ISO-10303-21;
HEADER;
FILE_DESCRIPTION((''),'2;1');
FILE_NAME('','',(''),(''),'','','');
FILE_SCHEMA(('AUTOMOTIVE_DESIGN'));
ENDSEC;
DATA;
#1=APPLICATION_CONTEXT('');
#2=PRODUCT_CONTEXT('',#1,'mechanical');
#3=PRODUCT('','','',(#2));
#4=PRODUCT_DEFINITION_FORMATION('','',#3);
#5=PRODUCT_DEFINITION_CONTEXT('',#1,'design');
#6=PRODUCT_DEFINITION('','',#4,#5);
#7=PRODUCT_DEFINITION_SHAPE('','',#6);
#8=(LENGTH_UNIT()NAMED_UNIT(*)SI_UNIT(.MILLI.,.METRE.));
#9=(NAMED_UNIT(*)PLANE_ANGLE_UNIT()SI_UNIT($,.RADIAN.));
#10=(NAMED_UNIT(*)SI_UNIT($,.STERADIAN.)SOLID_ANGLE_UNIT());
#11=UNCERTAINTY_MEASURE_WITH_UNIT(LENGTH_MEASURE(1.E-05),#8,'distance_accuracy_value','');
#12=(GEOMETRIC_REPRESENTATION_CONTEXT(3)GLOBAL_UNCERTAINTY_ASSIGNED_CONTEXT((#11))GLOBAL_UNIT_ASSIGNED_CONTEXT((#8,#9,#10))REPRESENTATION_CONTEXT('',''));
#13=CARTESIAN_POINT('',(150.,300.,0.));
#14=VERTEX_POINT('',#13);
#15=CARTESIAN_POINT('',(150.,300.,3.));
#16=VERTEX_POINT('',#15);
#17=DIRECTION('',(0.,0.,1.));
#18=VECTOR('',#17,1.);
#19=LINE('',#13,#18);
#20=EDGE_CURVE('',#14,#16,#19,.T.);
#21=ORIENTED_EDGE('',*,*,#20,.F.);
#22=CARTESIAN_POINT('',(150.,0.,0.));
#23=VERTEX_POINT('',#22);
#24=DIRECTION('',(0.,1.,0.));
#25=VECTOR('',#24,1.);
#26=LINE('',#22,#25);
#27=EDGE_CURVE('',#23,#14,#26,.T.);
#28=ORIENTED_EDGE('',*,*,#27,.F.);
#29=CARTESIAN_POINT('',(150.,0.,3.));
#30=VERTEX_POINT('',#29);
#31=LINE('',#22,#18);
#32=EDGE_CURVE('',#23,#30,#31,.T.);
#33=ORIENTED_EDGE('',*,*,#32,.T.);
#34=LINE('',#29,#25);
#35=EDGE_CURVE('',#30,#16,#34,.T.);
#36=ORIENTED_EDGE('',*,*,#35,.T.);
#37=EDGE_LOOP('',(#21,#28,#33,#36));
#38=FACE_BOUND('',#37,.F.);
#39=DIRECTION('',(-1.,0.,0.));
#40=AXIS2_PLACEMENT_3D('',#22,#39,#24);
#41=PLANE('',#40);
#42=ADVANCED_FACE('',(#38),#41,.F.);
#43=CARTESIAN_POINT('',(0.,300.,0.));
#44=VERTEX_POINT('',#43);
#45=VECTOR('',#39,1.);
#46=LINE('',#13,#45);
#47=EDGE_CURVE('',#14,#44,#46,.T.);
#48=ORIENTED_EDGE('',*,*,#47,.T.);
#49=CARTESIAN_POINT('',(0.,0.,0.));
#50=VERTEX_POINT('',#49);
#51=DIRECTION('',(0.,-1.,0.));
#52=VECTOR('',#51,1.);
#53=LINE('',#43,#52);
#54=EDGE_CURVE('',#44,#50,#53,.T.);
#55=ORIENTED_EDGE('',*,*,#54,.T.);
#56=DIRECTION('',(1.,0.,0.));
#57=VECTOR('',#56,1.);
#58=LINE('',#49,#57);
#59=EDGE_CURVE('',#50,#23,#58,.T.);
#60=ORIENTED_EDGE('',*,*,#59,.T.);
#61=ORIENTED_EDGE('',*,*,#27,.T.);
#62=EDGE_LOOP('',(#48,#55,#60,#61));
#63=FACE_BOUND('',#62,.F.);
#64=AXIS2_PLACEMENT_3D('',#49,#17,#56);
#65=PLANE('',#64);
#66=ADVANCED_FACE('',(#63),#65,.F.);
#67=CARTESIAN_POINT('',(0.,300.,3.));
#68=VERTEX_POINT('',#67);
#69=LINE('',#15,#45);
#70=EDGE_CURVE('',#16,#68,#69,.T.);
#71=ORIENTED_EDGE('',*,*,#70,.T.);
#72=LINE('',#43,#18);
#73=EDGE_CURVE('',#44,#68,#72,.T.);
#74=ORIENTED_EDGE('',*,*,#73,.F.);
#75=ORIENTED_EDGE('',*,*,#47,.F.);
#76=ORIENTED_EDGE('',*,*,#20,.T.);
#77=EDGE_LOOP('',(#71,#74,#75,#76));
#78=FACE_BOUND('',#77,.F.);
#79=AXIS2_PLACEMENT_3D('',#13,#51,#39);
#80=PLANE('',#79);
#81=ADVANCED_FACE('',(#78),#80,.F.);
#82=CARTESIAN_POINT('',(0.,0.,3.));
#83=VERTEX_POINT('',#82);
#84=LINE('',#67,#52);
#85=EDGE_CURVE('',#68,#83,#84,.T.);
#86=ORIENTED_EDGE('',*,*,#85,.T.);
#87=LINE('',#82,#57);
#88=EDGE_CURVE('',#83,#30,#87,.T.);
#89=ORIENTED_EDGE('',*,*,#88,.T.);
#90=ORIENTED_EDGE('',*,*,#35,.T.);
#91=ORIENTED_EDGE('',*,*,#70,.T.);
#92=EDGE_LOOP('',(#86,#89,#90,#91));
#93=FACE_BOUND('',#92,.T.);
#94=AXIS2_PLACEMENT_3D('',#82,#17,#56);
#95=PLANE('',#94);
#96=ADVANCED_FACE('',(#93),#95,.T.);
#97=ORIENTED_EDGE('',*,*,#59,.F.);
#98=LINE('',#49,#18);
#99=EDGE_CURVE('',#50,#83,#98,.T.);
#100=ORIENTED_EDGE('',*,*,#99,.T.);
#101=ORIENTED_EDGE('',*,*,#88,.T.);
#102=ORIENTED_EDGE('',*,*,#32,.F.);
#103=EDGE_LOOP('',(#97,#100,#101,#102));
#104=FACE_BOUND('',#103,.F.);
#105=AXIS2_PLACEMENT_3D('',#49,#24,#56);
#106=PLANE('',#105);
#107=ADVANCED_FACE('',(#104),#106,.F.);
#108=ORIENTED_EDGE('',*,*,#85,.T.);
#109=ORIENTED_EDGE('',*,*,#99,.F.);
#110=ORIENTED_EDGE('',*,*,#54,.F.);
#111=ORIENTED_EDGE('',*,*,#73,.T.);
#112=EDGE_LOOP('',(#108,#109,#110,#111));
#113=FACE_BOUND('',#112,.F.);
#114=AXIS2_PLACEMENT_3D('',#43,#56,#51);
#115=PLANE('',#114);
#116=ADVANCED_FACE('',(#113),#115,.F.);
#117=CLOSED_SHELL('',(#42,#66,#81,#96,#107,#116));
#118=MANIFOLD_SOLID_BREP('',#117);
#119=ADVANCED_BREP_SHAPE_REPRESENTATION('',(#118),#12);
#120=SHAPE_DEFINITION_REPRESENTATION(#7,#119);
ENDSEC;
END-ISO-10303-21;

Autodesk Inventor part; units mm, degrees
ref_plane "YZ Plane" through (0, 0, 0) normal (1, 0, 0) x (0, 1, 0)
ref_plane "XZ Plane" through (0, 0, 0) normal (0, 1, 0) x (-1, 0, 0)
ref_plane "XY Plane" through (0, 0, 0) normal (0, 0, 1) x (1, 0, 0)
sketch "Esquisse1" plane through (0, 0, 0) normal (0, 0, 1) x (1, 0, 0)
  line L0 (0, 0) -> (150, 0)
  line L1 (150, 0) -> (150, 300)
  line L2 (150, 300) -> (0, 300)
  line L3 (0, 300) -> (0, 0)
  dimension "d0" = 150
  dimension "d1" = 300
extrude "Extrusion1" add sketch "Esquisse1" along normal blind 3
properties part number "piece-interieur4"
